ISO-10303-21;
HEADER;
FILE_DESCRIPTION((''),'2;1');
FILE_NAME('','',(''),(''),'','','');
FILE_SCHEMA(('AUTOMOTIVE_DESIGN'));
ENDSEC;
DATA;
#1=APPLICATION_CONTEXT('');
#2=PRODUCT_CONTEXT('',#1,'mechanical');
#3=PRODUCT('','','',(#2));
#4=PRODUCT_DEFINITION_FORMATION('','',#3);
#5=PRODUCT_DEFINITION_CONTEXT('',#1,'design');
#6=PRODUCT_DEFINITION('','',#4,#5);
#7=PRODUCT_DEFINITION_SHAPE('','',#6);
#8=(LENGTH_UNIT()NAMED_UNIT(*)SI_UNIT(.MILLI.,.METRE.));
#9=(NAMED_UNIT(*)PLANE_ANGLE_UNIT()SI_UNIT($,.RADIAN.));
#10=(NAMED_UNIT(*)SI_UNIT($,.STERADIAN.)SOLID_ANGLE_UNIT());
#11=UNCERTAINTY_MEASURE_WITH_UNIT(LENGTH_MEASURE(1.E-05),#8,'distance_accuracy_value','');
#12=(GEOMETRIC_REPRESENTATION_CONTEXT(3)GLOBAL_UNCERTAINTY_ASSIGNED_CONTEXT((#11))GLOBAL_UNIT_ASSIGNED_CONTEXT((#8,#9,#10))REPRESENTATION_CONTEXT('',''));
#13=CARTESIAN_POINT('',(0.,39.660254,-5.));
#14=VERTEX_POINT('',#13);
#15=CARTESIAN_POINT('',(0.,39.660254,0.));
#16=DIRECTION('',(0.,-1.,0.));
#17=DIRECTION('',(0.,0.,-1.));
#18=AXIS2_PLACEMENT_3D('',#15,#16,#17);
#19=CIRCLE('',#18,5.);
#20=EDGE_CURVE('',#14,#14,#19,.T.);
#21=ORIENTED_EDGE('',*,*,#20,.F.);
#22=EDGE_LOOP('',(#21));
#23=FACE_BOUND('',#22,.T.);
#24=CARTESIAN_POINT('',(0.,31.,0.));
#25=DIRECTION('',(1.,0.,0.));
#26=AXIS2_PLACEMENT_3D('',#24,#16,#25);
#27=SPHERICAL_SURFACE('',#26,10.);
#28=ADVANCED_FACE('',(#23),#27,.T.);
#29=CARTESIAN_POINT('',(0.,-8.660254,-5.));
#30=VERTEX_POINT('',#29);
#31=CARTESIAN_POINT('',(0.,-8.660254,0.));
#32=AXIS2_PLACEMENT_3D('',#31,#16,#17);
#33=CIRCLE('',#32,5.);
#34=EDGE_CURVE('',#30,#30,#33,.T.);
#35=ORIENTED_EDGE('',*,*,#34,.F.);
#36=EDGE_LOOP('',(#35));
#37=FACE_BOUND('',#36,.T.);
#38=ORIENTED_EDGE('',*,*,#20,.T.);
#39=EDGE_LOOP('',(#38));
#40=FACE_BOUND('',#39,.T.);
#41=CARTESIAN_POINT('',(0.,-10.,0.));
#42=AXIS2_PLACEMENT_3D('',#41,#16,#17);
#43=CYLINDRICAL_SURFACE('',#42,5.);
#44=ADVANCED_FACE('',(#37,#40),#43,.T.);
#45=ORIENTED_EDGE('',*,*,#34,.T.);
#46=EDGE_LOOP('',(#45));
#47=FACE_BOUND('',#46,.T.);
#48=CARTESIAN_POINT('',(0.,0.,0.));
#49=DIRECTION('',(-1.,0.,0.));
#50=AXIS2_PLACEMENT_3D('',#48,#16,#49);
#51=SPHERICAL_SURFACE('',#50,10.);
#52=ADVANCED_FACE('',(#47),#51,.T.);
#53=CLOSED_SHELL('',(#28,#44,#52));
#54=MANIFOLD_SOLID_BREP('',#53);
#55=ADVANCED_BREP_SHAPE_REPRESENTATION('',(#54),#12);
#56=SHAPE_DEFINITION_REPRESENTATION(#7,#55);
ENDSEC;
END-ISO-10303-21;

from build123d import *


with BuildPart() as part:
    # Esquisse2 → Base-Révolution (revolve)
    with BuildSketch(Plane.XY, mode=Mode.PRIVATE) as base_r_volution_sk:
        with BuildLine():
            Line((0, -10), (0, 41))
            ThreePointArc((0, 41), (2.588190451, 40.659258263), (5, 39.660254038))
            Line((5, 39.660254038), (5, -8.660254038))
            ThreePointArc((5, -8.660254038), (2.588190451, -9.659258263), (0, -10))
        make_face()
    revolve(base_r_volution_sk.sketch.rotate(Axis((0, -10, 0), (0, 1, 0)), 90), axis=Axis((0, -10, 0), (0, 1, 0)))


solid = part.part
